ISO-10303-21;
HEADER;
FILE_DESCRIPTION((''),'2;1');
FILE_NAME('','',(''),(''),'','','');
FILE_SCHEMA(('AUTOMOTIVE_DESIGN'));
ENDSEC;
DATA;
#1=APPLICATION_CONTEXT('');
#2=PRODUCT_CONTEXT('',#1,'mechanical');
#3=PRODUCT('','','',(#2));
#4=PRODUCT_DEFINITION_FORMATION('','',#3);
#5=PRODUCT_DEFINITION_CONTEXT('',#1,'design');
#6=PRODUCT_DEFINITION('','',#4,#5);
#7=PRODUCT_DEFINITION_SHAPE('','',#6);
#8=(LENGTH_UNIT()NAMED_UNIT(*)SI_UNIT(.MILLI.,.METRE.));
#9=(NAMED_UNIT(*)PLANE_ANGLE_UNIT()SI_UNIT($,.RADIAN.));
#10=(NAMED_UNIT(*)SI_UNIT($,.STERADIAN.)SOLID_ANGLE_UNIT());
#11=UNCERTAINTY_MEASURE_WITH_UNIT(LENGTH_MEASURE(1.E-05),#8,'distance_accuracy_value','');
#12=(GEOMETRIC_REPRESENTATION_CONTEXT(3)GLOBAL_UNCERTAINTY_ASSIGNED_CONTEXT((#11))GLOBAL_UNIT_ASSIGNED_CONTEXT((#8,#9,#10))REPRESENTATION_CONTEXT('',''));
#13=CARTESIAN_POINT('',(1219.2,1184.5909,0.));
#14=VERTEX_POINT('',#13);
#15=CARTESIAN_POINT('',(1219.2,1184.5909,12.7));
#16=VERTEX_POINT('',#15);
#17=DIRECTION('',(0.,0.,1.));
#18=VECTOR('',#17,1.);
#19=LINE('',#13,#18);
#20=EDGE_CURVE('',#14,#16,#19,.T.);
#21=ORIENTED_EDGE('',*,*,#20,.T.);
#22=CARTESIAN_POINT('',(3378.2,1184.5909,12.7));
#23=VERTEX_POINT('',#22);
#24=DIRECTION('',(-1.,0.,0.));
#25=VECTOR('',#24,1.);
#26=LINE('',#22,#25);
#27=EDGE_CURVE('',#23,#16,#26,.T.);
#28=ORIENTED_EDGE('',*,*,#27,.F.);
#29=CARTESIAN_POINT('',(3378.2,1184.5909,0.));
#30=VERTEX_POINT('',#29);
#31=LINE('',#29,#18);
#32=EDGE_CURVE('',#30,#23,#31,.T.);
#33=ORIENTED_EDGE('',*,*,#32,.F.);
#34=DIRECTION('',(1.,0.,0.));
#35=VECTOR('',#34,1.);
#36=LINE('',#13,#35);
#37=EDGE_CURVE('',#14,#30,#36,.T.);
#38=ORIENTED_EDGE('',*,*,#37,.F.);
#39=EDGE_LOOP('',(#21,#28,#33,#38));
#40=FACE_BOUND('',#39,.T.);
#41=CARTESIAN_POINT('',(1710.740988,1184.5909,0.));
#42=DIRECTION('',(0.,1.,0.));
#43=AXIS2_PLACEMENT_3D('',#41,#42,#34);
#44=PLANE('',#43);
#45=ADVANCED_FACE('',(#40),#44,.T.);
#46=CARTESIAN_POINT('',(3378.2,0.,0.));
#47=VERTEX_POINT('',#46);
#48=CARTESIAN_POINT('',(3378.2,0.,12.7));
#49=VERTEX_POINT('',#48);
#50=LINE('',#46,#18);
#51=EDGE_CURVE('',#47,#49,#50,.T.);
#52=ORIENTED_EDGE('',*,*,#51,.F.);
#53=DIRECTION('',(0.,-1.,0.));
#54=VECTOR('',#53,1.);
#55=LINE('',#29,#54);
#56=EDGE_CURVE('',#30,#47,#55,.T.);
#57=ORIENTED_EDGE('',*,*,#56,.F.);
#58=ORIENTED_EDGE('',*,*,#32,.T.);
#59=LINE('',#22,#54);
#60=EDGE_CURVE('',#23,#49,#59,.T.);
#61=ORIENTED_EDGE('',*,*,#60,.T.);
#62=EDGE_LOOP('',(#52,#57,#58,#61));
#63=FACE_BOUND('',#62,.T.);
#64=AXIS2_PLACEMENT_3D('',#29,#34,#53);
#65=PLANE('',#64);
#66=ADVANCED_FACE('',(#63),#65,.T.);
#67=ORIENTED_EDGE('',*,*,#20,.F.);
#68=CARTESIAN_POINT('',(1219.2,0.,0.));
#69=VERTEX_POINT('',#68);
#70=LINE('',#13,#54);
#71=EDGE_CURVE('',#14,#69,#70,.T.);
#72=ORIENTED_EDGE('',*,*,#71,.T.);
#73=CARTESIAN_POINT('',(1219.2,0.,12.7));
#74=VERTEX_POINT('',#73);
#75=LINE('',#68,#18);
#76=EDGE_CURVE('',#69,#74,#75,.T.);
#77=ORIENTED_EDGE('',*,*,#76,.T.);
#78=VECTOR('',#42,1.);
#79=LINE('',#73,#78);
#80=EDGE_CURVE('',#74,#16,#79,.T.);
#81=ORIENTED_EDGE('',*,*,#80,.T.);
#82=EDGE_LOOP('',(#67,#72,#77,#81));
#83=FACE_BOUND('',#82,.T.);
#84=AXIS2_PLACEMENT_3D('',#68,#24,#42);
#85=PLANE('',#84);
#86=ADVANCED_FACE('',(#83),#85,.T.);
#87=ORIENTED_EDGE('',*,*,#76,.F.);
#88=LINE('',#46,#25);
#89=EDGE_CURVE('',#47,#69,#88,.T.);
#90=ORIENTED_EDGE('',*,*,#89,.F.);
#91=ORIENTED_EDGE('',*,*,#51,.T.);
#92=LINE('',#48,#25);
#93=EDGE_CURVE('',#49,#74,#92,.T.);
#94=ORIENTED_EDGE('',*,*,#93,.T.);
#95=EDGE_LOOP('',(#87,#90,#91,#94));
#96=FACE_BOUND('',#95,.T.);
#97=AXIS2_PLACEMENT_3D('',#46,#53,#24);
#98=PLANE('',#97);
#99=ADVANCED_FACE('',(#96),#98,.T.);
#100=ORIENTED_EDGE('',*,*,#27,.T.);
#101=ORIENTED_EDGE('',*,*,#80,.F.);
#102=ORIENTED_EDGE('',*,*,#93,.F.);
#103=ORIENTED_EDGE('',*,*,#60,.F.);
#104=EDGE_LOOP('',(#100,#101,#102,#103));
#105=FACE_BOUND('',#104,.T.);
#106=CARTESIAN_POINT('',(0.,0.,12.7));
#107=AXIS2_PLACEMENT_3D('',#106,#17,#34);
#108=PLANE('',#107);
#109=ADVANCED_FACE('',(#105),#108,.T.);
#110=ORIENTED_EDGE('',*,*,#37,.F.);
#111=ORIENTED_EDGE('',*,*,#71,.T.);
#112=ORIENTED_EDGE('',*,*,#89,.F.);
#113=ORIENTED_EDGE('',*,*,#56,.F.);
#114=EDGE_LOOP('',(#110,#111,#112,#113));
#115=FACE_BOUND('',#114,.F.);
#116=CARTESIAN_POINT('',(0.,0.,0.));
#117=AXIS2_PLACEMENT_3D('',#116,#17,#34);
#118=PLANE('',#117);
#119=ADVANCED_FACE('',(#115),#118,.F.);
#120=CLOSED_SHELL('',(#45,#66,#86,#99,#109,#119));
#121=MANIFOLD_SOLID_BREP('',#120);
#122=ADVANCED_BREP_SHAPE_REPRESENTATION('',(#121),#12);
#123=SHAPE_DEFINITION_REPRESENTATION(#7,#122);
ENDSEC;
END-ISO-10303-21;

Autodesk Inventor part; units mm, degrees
ref_plane "YZ Plane" through (0, 0, 0) normal (1, 0, 0) x (0, 1, 0)
ref_plane "XZ Plane" through (0, 0, 0) normal (0, 1, 0) x (-1, 0, 0)
ref_plane "XY Plane" through (0, 0, 0) normal (0, 0, 1) x (1, 0, 0)
sketch "Sketch1" plane through (0, 0, 0) normal (0, 0, 1) x (1, 0, 0)
  line L0 (0, 0) -> (0, 761.0602)
  line L1 (0, 0) -> (1219.2, 0)
  line L2 (0, 761.0602) -> (3365.5, 1883.9848)
  line L3 (12.7, 765.2977) -> (12.7, 0)
  line L4 (3365.5, 1883.9848) -> (3365.5, 1736.7138)
  line L5 (3365.5, 1736.7138) -> (101.6, 647.6888)
  line L6 (101.6, 647.6888) -> (12.7, 647.6888)
  line L7 (1219.2, 0) -> (1219.2, 1167.8555)
  line L8 (0, 761.0602) -> (-33.4963, 749.8839)
  line L9 (-33.4963, 749.8839) -> (-33.4963, 647.6888)
  line L10 (-33.4963, 647.6888) -> (0, 647.6888)
  line L11 (-33.4963, 749.8839) -> (-38.5208, 764.9428)
  line L12 (-38.5208, 764.9428) -> (1219.2, 1184.5909)
  line L13 (1219.2, 1184.5909) -> (1219.2, 1167.8555)
  line L14 (1219.2, 1184.5909) -> (3378.2, 1184.5909)
  line L15 (3378.2, 1184.5909) -> (3378.2, 0)
  line L16 (3378.2, 0) -> (1219.2, 0)
  dimension "d1" = 761.0602
  dimension "d3" = 12.7
  dimension "d4" = 3352.8
  dimension "d6" = 139.7
  dimension "d8" = 88.9
  dimension "d9" = 1089.025
  dimension "d12" = 46.1962
  dimension "d14" = 15.875
  dimension "d16" = 1219.2
  dimension "d17" = 2159
extrude "Extrusion1" add sketch "Sketch1" along normal blind 12.7 contours L7 L5 L14 L15 L16 | L7 L2 L14 L5 | L13 L14 L2
properties part number "OSB_For_Side_And_Middle" material "Wood (Birch)"
